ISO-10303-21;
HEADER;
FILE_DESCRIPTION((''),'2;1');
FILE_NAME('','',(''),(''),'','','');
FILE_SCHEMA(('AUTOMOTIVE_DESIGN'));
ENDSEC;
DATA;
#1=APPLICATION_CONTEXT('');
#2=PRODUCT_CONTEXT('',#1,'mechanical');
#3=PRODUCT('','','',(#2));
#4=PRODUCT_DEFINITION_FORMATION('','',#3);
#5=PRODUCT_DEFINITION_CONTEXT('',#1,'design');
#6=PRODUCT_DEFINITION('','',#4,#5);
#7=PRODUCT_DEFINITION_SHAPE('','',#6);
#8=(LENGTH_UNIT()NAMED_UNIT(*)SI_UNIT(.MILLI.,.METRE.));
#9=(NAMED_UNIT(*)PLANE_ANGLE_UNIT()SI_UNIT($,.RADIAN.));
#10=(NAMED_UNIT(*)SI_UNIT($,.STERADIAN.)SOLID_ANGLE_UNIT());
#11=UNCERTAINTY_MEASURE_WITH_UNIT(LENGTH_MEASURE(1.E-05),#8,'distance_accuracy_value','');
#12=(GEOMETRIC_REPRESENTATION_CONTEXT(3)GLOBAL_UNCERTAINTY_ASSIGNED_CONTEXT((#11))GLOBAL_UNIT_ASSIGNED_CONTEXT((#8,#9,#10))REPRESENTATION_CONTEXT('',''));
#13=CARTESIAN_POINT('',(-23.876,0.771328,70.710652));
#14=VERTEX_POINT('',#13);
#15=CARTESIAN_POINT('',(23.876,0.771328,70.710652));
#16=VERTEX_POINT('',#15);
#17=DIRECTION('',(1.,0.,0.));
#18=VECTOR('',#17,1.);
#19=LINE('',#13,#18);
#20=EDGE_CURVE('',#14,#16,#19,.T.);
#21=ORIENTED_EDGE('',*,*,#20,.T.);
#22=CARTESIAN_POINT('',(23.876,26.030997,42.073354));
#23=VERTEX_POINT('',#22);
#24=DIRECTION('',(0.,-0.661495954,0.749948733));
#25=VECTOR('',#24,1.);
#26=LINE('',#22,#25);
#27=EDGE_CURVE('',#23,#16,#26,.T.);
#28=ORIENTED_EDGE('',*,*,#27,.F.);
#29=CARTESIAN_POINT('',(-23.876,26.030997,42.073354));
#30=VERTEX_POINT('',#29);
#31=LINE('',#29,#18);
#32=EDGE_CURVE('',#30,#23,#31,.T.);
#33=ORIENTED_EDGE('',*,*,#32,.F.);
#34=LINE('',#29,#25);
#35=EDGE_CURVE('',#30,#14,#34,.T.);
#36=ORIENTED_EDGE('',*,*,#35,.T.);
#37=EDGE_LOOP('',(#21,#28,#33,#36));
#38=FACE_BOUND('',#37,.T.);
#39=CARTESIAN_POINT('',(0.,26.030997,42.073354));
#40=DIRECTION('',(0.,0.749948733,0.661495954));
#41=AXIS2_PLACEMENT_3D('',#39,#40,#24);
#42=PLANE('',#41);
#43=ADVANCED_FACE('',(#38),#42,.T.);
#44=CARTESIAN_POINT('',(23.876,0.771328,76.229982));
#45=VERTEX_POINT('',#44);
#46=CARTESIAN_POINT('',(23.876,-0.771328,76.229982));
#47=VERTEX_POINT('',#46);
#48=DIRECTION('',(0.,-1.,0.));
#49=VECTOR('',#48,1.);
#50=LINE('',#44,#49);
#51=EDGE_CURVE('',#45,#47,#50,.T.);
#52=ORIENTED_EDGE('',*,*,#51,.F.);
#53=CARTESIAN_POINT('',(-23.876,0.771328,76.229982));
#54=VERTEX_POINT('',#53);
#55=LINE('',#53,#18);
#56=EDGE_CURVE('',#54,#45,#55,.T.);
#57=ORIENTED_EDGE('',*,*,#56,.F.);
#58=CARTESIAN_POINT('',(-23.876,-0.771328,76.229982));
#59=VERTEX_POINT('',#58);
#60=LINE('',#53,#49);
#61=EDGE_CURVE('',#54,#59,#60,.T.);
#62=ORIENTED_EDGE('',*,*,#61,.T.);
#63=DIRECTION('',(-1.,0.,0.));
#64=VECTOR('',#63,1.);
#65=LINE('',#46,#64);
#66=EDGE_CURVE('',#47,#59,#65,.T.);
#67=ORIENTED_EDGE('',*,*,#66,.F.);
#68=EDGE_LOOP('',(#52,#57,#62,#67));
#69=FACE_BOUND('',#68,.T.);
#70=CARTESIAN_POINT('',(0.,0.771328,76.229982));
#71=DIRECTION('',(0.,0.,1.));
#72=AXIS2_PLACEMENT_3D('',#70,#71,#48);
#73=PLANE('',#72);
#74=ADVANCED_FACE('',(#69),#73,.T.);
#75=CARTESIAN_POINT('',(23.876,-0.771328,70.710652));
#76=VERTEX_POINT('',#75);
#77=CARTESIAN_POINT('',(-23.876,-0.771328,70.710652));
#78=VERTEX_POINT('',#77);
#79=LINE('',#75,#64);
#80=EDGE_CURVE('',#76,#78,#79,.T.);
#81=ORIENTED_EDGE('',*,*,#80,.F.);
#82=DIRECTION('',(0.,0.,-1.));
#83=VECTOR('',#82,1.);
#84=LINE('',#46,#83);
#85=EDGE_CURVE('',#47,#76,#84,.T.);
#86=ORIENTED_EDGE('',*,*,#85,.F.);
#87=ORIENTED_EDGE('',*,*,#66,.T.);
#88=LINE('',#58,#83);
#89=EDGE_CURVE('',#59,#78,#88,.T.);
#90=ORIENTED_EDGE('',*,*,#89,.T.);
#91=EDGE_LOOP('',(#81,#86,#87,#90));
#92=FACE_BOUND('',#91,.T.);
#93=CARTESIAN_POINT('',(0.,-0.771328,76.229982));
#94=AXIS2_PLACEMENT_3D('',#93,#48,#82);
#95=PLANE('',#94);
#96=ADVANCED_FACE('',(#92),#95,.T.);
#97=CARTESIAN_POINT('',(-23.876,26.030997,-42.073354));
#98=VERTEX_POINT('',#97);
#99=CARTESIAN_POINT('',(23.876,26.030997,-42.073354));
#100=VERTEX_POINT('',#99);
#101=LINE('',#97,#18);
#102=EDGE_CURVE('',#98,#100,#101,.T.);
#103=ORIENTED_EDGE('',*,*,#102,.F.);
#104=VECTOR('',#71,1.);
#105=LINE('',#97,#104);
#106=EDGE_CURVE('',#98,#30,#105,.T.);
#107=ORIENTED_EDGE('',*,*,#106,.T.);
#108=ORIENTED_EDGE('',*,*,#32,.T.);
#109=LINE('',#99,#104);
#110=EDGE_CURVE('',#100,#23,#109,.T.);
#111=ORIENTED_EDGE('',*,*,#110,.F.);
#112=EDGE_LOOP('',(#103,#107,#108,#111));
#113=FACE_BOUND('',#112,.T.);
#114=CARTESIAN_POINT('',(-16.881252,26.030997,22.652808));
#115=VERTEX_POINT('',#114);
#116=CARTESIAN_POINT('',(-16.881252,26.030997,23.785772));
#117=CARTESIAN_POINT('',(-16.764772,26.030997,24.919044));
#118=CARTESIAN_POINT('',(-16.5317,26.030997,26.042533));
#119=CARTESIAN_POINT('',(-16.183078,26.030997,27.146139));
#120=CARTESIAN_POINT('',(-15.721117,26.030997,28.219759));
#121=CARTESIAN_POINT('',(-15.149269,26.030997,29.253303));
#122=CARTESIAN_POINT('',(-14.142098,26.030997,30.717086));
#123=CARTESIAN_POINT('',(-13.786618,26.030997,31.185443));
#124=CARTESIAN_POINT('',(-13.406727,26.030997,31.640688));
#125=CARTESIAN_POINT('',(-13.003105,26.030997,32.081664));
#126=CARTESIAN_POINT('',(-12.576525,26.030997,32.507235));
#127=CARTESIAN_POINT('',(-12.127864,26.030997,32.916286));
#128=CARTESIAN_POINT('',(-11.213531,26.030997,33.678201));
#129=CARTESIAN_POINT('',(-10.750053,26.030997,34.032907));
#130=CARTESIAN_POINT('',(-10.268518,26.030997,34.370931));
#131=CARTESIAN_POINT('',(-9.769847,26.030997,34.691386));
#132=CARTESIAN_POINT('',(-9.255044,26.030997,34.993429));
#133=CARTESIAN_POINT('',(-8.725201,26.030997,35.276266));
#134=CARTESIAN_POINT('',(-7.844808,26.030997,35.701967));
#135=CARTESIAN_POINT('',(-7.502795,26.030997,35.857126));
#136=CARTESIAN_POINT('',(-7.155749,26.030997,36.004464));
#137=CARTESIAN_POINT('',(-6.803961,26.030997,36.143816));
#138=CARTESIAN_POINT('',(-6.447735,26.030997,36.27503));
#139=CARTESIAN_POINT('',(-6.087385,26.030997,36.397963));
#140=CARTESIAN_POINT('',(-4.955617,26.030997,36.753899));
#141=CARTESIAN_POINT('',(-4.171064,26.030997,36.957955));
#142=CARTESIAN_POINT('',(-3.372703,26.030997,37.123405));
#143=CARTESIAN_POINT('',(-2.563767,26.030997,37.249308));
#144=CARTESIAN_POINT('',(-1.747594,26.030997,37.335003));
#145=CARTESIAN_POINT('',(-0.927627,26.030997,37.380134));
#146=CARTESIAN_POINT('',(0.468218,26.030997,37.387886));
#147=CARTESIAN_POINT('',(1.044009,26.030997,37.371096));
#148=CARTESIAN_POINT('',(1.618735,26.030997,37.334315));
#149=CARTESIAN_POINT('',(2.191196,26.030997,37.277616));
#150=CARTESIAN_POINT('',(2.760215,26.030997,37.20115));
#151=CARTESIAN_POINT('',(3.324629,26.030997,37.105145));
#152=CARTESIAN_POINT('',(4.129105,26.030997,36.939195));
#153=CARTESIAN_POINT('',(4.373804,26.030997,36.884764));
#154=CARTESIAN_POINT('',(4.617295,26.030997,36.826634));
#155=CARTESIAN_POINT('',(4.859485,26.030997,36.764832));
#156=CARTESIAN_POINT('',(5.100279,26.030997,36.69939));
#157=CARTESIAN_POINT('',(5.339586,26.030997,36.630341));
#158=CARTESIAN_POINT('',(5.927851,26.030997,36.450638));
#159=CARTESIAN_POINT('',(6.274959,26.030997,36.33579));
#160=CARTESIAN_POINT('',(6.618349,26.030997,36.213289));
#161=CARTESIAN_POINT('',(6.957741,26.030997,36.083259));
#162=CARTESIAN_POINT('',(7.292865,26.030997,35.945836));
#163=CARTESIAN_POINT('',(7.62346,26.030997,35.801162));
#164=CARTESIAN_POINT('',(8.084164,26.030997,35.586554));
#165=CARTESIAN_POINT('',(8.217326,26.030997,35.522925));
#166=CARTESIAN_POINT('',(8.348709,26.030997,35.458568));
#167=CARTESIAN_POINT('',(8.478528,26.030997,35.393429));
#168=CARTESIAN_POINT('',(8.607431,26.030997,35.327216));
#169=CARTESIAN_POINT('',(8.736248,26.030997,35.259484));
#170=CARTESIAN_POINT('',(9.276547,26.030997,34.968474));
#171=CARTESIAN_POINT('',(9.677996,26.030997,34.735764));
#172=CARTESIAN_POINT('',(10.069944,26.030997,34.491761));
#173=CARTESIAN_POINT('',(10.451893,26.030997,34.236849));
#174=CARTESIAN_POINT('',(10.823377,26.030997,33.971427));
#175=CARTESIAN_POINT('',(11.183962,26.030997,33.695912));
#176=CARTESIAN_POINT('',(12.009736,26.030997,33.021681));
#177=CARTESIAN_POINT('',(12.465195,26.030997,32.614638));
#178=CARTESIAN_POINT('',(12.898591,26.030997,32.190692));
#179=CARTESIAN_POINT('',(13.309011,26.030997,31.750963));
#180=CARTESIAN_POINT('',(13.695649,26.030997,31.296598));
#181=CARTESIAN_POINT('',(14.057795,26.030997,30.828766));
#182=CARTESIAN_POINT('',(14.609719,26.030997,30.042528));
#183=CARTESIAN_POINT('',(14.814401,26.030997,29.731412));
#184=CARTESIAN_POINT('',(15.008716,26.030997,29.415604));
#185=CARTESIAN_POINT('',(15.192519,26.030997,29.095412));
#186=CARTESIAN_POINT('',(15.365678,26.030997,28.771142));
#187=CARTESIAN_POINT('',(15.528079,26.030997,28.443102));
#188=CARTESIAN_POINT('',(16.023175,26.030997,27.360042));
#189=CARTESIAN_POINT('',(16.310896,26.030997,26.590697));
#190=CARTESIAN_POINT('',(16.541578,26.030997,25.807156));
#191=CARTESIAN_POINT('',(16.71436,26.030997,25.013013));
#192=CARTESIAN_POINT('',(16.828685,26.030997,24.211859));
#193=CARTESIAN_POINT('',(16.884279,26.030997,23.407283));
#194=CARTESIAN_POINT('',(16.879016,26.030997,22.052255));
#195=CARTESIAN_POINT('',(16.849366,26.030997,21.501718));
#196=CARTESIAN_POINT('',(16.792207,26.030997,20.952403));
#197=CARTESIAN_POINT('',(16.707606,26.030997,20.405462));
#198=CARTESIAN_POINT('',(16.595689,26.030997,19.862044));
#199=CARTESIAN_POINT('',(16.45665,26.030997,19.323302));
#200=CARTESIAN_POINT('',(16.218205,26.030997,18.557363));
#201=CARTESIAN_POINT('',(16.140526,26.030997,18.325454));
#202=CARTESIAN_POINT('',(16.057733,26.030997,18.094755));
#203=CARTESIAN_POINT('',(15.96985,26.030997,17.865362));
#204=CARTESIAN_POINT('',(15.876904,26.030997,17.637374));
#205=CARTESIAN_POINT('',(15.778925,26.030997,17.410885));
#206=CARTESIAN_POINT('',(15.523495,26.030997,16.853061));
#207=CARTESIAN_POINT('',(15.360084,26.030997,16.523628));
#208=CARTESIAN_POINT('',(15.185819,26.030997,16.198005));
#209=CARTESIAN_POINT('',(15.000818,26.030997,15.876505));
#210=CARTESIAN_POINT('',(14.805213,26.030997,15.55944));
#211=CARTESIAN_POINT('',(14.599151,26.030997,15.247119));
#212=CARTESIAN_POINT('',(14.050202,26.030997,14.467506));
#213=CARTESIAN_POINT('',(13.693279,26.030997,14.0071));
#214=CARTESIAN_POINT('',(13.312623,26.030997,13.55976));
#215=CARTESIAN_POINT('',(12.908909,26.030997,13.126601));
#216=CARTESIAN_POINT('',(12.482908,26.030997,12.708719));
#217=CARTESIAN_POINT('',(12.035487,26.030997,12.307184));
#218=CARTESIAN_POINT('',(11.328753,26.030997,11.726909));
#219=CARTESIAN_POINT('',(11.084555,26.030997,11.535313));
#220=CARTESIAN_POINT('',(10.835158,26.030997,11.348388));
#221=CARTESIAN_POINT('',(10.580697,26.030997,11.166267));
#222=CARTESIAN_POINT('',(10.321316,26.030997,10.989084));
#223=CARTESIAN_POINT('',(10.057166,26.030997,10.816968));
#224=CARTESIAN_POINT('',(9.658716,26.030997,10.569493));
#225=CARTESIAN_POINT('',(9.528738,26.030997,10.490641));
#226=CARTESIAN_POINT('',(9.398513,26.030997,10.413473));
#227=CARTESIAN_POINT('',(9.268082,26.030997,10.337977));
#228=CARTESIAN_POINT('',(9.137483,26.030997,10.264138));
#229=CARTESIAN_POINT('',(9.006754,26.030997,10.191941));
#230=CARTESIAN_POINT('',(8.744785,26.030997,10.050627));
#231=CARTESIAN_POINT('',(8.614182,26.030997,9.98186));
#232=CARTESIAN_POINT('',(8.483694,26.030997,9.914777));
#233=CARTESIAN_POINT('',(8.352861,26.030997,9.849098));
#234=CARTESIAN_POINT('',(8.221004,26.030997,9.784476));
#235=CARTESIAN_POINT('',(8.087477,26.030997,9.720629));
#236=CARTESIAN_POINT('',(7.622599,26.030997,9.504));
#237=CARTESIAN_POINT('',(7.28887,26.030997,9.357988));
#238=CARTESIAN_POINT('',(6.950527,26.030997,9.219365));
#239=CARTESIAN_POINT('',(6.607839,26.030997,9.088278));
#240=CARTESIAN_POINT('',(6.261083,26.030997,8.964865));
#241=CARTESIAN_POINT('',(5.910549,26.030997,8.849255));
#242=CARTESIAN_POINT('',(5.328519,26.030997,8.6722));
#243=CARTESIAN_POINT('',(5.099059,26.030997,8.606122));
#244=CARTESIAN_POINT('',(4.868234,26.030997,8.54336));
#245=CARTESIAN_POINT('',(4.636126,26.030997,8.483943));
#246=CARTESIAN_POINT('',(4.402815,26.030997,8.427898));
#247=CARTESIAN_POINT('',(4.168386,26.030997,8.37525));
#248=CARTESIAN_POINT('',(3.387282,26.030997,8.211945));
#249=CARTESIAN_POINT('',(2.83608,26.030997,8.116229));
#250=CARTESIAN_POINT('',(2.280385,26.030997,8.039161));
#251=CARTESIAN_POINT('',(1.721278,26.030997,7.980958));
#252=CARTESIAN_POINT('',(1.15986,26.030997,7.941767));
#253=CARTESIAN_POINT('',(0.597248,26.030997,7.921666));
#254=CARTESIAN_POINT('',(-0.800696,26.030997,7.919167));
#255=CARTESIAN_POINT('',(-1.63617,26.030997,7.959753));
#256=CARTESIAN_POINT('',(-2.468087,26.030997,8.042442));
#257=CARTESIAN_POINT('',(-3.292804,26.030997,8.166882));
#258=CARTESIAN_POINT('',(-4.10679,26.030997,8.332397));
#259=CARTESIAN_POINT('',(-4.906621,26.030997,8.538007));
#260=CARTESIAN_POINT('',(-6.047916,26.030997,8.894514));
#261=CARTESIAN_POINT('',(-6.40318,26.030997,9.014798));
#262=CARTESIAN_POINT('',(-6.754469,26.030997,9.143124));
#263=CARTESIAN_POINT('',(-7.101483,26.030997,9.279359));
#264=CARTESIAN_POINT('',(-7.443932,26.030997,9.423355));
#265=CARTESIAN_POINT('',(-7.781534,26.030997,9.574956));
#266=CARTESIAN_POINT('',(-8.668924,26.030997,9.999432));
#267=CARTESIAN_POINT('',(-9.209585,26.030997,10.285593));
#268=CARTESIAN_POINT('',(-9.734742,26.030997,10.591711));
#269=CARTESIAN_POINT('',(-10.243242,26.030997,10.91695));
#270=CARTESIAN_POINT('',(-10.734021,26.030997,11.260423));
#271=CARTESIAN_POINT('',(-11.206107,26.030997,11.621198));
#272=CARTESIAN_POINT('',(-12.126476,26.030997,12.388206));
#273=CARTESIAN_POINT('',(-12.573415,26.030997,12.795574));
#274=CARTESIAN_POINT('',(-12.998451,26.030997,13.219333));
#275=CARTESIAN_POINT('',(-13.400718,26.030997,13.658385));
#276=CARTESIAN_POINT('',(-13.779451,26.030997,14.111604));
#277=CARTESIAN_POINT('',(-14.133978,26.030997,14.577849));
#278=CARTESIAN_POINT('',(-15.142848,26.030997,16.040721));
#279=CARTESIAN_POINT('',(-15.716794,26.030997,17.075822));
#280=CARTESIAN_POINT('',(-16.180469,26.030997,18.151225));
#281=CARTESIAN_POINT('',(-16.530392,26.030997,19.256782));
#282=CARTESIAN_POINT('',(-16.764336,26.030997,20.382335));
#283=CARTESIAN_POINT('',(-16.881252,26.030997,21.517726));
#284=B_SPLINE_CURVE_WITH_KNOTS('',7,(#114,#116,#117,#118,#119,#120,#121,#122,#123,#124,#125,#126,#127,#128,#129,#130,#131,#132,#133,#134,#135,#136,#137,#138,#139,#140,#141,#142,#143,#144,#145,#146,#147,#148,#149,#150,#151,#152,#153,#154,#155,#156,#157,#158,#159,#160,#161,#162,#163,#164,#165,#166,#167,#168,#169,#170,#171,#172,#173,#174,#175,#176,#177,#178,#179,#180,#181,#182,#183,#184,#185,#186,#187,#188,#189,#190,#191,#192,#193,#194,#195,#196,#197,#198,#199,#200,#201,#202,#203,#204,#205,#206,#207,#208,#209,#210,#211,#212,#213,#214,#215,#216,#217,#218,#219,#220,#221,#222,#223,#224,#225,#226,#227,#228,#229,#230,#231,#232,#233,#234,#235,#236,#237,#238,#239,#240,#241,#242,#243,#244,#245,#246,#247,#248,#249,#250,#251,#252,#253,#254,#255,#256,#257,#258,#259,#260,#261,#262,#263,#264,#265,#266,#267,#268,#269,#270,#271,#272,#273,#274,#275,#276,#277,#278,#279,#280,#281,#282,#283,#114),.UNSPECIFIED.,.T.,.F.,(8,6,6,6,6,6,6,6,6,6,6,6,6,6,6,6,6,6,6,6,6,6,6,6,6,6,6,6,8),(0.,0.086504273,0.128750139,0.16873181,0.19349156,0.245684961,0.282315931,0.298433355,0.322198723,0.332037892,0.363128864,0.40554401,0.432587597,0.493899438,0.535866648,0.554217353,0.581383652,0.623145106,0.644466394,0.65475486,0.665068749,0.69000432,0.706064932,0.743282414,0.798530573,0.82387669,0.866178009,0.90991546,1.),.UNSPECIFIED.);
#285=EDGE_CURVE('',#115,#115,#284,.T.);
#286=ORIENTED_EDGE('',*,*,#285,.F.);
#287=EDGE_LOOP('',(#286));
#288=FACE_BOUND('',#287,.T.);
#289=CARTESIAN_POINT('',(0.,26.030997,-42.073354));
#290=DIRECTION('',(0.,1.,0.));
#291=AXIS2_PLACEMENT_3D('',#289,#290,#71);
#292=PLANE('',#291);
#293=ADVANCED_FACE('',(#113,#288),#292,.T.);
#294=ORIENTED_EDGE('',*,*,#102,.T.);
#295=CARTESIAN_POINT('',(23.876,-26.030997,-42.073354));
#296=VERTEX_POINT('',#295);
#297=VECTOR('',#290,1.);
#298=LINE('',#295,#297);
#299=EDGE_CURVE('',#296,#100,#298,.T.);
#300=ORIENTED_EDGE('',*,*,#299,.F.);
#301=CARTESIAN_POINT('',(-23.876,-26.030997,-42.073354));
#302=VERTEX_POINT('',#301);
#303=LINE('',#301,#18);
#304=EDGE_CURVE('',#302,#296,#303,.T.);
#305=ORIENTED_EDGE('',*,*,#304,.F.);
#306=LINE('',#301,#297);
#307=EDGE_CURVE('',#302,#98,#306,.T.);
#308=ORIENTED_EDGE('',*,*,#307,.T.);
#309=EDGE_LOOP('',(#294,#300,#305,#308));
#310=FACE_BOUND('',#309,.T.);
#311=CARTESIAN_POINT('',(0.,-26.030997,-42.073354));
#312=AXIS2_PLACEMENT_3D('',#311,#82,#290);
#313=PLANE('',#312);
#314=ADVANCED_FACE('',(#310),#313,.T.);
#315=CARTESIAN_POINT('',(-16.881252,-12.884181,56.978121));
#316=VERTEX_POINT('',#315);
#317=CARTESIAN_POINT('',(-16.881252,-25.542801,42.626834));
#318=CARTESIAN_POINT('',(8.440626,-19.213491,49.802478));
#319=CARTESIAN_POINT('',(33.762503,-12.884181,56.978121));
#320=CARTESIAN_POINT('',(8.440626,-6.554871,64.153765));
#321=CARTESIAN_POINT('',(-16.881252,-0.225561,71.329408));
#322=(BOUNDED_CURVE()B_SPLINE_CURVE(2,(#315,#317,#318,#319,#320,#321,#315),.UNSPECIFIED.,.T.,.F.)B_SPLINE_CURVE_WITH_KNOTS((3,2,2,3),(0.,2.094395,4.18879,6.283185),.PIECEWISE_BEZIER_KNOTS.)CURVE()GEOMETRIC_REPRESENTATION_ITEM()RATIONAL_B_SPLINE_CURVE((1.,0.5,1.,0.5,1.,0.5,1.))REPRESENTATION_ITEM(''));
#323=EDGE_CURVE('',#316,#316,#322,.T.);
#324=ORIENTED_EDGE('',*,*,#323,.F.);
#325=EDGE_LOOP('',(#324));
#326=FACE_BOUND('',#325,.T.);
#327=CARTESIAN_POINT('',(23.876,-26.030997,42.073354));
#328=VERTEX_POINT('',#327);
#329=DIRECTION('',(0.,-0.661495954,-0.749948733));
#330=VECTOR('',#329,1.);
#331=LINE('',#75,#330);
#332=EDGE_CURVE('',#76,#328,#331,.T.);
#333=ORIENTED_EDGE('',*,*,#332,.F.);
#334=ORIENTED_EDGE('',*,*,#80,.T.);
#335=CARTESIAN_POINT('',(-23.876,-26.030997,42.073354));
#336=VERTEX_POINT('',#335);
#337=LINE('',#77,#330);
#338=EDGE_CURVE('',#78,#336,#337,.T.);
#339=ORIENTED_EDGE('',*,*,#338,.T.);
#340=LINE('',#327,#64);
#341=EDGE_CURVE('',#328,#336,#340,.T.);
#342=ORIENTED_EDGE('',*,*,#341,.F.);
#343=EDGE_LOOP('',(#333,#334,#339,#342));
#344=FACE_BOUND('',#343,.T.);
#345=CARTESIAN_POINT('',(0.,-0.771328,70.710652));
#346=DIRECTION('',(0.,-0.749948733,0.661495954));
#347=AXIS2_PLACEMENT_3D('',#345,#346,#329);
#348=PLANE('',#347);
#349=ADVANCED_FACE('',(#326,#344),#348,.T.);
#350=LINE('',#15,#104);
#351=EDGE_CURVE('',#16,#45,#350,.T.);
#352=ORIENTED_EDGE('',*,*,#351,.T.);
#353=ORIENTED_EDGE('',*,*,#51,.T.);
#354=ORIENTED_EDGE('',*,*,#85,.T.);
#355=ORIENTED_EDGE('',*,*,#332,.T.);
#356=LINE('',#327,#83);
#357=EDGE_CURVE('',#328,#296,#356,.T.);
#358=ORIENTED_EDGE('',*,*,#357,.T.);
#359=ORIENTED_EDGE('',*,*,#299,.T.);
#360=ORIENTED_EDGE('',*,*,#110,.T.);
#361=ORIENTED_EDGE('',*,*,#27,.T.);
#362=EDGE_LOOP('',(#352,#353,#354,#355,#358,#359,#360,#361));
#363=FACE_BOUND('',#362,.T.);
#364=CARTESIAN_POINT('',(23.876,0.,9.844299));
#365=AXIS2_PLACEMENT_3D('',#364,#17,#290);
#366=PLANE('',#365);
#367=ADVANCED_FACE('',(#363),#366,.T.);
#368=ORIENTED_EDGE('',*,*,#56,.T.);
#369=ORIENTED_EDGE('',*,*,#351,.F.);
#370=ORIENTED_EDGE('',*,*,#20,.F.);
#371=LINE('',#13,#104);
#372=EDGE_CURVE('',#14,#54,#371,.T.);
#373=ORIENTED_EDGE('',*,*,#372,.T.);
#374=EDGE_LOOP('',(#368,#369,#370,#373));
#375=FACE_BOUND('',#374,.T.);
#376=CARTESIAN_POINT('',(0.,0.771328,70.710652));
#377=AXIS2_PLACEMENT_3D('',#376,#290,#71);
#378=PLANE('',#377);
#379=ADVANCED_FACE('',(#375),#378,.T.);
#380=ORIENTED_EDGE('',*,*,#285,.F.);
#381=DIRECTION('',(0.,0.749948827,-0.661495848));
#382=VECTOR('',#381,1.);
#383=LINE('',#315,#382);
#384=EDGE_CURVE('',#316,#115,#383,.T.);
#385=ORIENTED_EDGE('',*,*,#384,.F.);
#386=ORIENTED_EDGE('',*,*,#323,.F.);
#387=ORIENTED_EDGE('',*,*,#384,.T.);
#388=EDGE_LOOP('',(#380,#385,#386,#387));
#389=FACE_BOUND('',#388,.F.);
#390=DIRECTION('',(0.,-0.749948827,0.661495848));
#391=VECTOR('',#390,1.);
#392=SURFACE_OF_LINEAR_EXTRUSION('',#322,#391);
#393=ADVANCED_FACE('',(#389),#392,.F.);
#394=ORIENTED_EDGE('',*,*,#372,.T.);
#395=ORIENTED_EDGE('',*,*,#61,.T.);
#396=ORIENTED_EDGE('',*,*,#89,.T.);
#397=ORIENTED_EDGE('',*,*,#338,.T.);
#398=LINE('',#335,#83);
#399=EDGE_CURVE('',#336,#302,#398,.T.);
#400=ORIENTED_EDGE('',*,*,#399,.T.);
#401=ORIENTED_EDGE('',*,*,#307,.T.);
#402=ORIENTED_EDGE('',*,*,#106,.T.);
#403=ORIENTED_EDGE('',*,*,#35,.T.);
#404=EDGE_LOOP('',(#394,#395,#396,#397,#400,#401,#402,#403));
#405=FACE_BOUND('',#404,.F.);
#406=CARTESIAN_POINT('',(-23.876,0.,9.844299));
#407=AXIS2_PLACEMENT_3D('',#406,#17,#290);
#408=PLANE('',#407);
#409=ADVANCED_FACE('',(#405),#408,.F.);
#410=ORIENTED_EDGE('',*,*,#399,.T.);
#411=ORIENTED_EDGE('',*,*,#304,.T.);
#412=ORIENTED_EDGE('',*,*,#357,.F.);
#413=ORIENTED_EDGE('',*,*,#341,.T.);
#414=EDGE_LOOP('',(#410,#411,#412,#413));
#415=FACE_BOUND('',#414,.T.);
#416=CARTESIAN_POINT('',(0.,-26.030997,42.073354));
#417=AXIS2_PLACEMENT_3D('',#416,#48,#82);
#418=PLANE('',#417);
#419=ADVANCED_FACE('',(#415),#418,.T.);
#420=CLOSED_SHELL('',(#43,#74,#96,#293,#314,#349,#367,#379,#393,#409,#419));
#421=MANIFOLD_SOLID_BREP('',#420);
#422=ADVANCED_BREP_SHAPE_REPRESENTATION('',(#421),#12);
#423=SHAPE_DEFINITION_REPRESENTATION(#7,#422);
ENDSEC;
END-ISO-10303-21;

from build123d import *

# Parameters (mm, degrees)
F1_DEPTH = 23.876
F3_DEPTH = 89.408


with BuildPart() as f1:
    # F0 (on Right) → F1 (new body, symmetric)
    with BuildSketch(Plane.YZ):
        Polygon((-26.030997, 42.073354), (-26.030997, -42.073354), (26.030997, -42.073354), (26.030997, 42.073354), (0.771328, 70.710652), (0.771328, 76.229982), (0, 76.229982), (-0.771328, 76.229982), (-0.771328, 70.710652), align=None)
    extrude(amount=F1_DEPTH, both=True)

    # F2 (on face) → F3 (cut)
    with BuildSketch(Plane(origin=(0, -35.512522, 31.323995), x_dir=(1, 0, 0), z_dir=(0, -0.749949, 0.661496))):
        with BuildLine():
            add(Edge.make_bspline(
                [(-16.881252, 34.207836), (-16.881252, 15.07148), (8.440626, 24.639658), (33.762503, 34.207836), (8.440626, 43.776014), (-16.881252, 53.344191), (-16.881252, 34.207836)],
                knots=[0, 0, 0, 2.094395, 2.094395, 4.18879, 4.18879, 6.283185, 6.283185, 6.283185], degree=2, weights=[1, 0.5, 1, 0.5, 1, 0.5, 1]))
        make_face()
    extrude(amount=-F3_DEPTH, mode=Mode.SUBTRACT)


solid = f1.part
